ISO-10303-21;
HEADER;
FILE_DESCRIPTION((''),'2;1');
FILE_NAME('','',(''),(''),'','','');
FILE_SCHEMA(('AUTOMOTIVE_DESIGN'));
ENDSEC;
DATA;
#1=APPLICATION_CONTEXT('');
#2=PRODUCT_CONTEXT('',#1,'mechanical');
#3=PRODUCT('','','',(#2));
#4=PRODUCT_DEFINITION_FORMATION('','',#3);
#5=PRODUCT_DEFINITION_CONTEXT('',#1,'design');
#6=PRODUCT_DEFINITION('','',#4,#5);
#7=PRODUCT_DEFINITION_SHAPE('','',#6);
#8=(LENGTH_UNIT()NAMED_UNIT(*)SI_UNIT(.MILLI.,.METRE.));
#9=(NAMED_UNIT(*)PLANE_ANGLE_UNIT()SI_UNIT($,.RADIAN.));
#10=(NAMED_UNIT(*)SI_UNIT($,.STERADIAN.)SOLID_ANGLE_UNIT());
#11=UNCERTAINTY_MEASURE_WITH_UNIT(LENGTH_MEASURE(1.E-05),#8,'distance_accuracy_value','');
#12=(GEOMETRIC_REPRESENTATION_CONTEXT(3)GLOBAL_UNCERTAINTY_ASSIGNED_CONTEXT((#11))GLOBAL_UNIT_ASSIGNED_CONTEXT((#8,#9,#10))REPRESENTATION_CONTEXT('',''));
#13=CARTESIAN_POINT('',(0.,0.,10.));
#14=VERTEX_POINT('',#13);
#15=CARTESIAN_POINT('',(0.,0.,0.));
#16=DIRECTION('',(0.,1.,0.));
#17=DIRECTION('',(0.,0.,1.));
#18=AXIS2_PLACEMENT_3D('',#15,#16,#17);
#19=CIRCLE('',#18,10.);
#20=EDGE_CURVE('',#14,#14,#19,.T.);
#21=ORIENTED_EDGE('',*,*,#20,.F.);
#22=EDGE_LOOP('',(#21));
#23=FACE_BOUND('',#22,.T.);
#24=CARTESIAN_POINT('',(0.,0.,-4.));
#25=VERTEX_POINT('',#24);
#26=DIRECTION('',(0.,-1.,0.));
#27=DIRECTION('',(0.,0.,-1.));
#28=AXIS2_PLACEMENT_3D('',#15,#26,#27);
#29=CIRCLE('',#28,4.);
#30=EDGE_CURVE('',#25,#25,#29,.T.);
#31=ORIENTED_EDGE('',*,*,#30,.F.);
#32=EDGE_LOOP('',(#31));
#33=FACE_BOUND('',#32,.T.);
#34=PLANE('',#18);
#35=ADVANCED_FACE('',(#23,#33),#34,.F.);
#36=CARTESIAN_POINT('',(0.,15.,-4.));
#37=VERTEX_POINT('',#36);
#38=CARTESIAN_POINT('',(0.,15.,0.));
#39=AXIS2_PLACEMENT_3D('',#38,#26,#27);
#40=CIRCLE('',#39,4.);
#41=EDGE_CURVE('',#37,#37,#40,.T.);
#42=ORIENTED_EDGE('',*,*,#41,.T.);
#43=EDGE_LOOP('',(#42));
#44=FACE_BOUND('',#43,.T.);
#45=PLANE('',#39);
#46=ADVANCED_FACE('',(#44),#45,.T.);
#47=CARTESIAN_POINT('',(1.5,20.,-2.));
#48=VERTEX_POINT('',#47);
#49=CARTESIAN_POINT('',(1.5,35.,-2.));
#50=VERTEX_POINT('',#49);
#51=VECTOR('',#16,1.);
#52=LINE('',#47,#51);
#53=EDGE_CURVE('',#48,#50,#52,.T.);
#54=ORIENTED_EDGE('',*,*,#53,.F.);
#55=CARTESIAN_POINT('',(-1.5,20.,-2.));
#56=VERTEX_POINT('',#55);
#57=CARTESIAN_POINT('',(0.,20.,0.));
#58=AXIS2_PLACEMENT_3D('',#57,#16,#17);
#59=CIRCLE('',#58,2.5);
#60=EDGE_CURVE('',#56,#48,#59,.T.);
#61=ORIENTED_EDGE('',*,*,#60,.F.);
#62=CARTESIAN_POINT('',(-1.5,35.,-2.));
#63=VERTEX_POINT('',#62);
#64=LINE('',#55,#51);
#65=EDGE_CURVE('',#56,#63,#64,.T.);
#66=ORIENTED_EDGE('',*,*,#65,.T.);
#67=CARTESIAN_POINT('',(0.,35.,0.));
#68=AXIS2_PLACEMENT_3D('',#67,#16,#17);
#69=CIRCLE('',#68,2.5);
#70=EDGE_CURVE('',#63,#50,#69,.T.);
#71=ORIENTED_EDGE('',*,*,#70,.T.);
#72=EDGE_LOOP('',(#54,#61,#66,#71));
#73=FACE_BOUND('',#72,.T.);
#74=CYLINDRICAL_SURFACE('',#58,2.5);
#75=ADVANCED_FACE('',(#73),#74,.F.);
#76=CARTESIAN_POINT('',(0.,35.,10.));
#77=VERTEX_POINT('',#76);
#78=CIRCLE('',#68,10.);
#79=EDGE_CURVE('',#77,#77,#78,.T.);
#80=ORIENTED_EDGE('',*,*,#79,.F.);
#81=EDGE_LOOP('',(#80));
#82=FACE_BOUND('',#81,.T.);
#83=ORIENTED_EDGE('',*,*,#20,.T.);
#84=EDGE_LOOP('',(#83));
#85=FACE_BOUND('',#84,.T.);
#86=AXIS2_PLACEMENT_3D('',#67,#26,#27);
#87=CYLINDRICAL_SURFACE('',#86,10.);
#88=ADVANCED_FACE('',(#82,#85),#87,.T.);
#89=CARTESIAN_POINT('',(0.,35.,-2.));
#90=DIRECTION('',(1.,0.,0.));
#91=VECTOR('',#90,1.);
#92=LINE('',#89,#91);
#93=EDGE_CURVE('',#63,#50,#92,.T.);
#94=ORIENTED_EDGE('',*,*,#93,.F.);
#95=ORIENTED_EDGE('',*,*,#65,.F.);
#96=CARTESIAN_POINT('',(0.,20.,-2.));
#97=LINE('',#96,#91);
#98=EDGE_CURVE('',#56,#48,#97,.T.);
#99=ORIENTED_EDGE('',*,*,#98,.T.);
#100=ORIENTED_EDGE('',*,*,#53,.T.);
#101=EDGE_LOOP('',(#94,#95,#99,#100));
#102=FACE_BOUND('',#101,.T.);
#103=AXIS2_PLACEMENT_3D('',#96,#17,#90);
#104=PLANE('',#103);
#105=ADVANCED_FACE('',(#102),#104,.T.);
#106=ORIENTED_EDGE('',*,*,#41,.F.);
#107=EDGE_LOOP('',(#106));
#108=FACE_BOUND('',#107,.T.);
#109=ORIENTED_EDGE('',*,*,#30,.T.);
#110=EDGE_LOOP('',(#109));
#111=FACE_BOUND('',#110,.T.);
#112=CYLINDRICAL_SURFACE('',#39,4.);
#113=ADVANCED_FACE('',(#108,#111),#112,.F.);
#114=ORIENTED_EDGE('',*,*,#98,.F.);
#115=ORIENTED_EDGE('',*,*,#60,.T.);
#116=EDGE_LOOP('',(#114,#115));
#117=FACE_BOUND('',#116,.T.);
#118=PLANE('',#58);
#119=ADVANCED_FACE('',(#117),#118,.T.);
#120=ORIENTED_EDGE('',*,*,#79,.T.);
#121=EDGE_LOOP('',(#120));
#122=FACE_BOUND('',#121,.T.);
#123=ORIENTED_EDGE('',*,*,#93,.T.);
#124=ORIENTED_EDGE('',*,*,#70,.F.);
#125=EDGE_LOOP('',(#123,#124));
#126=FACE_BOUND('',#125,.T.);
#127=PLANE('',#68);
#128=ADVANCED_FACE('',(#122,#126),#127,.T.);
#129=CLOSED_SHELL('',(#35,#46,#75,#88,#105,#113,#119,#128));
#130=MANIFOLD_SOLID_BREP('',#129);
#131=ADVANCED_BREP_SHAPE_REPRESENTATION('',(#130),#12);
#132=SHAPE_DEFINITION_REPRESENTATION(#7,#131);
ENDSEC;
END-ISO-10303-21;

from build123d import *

# Parameters (mm, degrees)
SKETCH1_R           = 10
BOSS_EXTRUDE1_DEPTH = 35
SKETCH3_R           = 4
CUT_EXTRUDE2_DEPTH  = 15
CUT_EXTRUDE1_DEPTH  = 15


with BuildPart() as part:
    # Sketch1 → Boss-Extrude1 (new body)
    with BuildSketch(Plane(origin=(0, 0, 0), x_dir=(1, 0, 0), z_dir=(0, 1, 0))):
        with Locations(Location((0, 0, 0), (0, 0, 270))):
            Circle(SKETCH1_R)
    extrude(amount=BOSS_EXTRUDE1_DEPTH)

    # Sketch3 → Cut-Extrude2 (cut)
    with BuildSketch(Plane.XZ):
        with Locations(Location((0, 0, 0), (0, 0, 270))):
            Circle(SKETCH3_R)
    extrude(amount=-CUT_EXTRUDE2_DEPTH, mode=Mode.SUBTRACT)

    # Sketch2 → Cut-Extrude1 (cut)
    with BuildSketch(Plane(origin=(0, 35, 0), x_dir=(1, 0, 0), z_dir=(0, 1, 0))):
        with BuildLine():
            Line((1.5, 2), (-1.5, 2))
            ThreePointArc((-1.5, 2), (-1.118033989, -2.236067977), (2.5, 0))
            ThreePointArc((2.5, 0), (2.236067977, 1.118033989), (1.5, 2))
        make_face()
    extrude(amount=-CUT_EXTRUDE1_DEPTH, mode=Mode.SUBTRACT)


solid = part.part
